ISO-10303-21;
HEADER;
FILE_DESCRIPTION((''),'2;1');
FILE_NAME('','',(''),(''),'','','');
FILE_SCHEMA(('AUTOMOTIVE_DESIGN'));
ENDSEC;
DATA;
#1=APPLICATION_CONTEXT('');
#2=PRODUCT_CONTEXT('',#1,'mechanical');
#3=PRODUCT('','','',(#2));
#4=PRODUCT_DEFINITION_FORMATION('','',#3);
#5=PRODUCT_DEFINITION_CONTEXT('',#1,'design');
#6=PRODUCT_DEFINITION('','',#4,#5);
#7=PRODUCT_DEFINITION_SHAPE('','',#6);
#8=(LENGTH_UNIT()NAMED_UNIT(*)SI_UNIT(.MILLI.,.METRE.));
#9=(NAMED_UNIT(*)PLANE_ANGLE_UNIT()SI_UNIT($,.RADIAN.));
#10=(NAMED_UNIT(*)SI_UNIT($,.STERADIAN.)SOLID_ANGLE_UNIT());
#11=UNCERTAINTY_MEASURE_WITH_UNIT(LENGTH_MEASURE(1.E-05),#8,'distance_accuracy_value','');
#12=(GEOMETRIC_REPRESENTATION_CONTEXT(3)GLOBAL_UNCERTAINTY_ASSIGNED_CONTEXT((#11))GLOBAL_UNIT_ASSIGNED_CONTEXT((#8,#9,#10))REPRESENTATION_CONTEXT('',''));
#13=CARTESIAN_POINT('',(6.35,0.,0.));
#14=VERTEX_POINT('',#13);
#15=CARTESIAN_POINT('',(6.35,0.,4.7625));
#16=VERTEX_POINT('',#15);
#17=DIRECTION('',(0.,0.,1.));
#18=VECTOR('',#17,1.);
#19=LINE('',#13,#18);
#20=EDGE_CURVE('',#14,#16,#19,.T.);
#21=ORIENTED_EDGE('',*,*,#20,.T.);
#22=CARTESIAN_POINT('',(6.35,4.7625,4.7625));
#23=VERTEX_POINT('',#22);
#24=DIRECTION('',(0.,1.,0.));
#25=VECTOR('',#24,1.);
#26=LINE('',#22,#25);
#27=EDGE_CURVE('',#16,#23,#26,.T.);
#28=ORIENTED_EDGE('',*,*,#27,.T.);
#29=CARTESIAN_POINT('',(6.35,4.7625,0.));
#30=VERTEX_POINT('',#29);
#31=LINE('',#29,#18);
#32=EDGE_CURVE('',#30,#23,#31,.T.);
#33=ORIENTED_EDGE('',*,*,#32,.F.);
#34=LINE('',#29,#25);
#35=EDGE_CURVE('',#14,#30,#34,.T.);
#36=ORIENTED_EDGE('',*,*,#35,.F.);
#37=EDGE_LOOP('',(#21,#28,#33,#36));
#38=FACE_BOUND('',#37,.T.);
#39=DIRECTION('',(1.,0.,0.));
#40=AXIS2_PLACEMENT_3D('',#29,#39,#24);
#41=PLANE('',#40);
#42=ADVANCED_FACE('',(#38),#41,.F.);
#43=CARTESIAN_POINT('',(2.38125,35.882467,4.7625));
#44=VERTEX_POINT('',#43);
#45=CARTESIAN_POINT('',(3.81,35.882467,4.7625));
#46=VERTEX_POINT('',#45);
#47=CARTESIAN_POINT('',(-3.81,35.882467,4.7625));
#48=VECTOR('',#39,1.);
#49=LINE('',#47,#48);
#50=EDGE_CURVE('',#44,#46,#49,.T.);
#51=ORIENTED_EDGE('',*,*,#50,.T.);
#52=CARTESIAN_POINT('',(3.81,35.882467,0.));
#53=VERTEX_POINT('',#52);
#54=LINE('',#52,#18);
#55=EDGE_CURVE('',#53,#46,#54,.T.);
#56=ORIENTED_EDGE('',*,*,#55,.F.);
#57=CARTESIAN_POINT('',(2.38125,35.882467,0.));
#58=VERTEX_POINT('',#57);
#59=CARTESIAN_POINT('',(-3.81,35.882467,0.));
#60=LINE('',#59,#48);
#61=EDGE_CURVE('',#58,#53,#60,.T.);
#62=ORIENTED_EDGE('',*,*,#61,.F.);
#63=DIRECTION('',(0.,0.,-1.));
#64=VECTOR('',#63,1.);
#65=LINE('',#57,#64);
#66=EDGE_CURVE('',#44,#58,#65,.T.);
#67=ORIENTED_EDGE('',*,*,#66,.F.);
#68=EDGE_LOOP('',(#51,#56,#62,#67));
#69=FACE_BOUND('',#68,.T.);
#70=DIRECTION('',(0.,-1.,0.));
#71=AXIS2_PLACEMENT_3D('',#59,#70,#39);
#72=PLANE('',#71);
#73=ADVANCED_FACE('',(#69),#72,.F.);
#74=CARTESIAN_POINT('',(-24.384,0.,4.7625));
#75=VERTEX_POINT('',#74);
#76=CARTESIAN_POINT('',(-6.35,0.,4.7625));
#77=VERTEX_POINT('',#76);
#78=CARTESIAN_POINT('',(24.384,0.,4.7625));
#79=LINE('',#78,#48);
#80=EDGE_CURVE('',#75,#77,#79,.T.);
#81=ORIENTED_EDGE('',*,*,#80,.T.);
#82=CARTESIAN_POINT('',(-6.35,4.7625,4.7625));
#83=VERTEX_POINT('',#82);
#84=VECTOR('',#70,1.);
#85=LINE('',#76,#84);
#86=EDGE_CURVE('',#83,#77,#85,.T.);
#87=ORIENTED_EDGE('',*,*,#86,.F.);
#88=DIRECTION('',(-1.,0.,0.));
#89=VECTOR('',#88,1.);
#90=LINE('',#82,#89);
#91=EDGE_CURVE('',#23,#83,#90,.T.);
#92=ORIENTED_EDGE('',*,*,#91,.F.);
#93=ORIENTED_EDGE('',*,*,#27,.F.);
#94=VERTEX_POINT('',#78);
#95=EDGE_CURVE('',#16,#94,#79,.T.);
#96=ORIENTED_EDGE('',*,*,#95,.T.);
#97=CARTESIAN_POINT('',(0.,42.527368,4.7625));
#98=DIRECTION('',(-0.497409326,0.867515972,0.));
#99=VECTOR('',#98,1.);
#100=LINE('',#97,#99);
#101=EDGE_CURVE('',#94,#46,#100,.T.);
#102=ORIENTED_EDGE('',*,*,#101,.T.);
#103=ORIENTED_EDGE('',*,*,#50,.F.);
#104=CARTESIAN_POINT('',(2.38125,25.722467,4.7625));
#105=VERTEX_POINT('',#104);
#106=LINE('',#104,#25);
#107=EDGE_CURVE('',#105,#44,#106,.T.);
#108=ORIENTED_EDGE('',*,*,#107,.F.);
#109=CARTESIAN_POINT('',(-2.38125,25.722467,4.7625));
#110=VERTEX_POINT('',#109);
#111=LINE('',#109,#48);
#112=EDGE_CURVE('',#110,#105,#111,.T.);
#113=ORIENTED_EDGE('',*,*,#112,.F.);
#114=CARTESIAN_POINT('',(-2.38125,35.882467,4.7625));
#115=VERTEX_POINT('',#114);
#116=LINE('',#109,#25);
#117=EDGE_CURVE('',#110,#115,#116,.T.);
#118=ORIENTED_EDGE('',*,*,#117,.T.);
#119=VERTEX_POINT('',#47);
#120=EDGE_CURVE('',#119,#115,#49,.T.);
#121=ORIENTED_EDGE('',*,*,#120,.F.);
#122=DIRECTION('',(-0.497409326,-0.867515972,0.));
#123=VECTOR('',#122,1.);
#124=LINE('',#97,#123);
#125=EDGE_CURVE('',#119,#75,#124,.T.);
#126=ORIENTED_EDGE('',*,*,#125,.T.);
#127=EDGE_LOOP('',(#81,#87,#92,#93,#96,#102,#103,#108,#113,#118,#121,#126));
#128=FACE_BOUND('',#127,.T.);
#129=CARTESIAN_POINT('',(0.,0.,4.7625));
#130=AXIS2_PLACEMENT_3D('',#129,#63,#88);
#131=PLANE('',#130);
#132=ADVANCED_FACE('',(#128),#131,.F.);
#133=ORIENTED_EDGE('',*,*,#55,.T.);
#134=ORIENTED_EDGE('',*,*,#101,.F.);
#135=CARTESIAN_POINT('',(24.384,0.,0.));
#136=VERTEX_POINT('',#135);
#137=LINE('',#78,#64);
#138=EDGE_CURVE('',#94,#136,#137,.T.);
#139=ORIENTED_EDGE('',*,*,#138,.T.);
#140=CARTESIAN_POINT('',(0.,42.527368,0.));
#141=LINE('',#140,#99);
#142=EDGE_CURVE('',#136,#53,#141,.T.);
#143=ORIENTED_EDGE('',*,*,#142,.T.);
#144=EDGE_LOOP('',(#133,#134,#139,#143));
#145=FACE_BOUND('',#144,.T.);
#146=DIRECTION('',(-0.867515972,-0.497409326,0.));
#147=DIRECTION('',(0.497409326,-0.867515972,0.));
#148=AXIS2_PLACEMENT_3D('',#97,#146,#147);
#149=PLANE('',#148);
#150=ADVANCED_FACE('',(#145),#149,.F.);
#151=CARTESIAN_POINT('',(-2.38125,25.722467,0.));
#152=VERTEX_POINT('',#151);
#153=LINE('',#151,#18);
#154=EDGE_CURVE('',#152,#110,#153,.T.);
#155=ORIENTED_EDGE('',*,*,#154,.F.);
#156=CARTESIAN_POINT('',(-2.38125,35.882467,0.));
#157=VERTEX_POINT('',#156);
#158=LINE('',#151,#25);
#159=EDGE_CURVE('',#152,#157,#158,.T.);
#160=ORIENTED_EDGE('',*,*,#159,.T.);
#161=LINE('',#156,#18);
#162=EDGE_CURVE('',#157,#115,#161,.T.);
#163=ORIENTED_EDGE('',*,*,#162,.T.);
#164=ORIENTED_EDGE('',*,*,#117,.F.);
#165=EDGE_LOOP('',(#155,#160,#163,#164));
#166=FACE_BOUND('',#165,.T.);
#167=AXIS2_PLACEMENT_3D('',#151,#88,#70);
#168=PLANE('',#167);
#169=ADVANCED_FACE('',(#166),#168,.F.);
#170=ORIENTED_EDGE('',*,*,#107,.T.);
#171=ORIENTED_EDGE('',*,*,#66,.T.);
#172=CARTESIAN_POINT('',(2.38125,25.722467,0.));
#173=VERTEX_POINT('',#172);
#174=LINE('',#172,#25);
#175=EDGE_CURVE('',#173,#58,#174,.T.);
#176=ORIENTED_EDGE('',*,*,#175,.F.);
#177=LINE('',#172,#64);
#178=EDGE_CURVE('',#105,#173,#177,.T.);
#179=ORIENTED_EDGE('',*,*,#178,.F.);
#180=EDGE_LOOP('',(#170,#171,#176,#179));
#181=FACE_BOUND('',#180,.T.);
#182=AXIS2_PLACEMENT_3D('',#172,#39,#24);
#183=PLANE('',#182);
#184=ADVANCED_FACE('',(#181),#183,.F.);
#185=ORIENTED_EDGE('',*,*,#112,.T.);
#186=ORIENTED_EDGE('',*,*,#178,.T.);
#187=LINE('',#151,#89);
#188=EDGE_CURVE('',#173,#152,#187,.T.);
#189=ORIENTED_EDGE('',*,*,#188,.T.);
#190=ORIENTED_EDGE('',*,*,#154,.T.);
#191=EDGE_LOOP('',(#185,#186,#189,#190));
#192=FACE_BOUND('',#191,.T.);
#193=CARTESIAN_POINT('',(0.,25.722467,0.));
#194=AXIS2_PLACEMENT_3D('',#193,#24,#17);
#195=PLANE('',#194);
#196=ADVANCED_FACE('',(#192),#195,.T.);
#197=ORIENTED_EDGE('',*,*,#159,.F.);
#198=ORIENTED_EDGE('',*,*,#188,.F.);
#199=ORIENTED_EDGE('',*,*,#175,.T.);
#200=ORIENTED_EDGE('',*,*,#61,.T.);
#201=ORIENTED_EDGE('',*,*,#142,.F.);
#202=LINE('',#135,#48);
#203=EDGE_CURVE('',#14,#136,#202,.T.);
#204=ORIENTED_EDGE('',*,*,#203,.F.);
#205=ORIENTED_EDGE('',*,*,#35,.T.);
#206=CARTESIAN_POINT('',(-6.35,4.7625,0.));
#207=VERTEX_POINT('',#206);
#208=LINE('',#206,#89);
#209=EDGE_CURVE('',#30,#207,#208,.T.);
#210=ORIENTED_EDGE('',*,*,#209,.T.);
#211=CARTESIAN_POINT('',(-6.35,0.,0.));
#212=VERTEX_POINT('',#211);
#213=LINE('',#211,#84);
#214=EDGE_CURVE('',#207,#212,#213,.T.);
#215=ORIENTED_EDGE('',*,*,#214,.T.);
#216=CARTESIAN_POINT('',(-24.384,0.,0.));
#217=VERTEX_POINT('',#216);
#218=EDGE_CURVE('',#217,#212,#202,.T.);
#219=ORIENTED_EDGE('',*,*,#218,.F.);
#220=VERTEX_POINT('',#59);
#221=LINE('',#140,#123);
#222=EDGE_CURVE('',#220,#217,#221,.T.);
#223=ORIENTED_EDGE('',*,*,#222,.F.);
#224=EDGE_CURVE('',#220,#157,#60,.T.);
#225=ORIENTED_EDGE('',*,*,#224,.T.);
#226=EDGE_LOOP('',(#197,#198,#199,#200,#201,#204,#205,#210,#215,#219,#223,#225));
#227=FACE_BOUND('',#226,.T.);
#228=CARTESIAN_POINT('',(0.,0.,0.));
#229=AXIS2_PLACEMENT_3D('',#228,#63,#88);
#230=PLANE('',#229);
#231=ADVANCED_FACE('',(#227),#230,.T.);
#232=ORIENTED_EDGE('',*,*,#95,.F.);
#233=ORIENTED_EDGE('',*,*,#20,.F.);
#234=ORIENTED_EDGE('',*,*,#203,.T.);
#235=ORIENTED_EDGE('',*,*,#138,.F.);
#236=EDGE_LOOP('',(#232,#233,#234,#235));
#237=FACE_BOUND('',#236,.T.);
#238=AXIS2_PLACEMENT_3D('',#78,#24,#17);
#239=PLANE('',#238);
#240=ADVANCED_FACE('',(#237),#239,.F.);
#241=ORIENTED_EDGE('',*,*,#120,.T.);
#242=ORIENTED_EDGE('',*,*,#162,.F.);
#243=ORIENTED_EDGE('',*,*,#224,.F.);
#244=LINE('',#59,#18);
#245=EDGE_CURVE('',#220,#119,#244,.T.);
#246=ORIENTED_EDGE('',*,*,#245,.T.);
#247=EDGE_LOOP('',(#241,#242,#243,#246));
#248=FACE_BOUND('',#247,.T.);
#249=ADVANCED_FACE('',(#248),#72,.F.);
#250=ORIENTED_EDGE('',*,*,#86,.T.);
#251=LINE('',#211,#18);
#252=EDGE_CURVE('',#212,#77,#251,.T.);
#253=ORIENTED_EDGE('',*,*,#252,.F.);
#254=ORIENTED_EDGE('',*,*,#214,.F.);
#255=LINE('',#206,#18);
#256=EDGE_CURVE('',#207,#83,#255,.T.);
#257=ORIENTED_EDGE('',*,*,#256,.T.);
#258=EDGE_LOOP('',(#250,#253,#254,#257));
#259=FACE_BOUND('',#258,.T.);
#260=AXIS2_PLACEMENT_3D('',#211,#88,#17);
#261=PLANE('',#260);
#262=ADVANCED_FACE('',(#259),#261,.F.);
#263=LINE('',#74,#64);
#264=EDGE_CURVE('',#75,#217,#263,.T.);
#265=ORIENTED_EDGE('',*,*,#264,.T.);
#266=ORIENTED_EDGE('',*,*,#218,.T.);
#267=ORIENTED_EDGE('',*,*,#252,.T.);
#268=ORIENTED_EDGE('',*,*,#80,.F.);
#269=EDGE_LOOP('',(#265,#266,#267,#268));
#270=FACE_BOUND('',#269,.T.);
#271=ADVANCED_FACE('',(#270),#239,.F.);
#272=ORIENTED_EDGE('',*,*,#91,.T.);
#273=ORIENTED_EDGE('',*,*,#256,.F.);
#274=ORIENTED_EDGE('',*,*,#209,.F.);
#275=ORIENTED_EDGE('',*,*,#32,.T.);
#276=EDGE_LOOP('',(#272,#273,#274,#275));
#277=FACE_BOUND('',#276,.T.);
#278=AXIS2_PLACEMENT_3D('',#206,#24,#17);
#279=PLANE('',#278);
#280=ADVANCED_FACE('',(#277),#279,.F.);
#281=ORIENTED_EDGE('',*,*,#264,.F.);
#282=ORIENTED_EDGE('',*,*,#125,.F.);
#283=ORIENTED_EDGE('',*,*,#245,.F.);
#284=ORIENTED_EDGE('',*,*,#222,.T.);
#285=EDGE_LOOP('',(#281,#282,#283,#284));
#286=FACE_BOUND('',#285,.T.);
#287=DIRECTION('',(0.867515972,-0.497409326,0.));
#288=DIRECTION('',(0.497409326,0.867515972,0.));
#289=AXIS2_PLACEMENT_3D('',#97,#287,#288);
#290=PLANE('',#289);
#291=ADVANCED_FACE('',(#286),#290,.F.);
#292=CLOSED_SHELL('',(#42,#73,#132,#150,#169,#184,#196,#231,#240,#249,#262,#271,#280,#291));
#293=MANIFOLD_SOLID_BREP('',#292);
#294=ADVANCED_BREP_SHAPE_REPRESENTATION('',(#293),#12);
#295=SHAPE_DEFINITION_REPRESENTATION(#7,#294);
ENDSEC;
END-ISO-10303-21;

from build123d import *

# Parameters (mm, degrees)
BOSS_EXTRUDE1_DEPTH = 4.7625
CUT_EXTRUDE1_DEPTH  = 50.252795761
SKETCH4_W           = 4.7625
SKETCH4_H           = 4.7625
CUT_EXTRUDE2_DEPTH  = 10.16


with BuildPart() as part:
    # Sketch1 → Boss-Extrude1 (new body)
    with BuildSketch(Plane.XY):
        Polygon((0, 42.527367988), (24.384, 0), (-24.384, 0), align=None)
    extrude(amount=BOSS_EXTRUDE1_DEPTH)

    # Sketch2 → Cut-Extrude1 (cut, through all)
    with BuildSketch(Plane.XY.offset(4.7625)):
        Polygon((0, 0), (-6.35, 0), (-6.35, 4.7625), (6.35, 4.7625), (6.35, 0), align=None)
        Polygon((0, 42.527367988), (-3.81, 35.88246674), (3.81, 35.88246674), align=None)
    extrude(amount=-CUT_EXTRUDE1_DEPTH, mode=Mode.SUBTRACT)

    # Sketch4 → Cut-Extrude2 (cut)
    with BuildSketch(Plane(origin=(0, 35.88246674, 0), x_dir=(1, 0, 0), z_dir=(0, 1, 0))):
        with Locations((0, -2.38125)):
            Rectangle(SKETCH4_W, SKETCH4_H)
    extrude(amount=-CUT_EXTRUDE2_DEPTH, mode=Mode.SUBTRACT)


solid = part.part
